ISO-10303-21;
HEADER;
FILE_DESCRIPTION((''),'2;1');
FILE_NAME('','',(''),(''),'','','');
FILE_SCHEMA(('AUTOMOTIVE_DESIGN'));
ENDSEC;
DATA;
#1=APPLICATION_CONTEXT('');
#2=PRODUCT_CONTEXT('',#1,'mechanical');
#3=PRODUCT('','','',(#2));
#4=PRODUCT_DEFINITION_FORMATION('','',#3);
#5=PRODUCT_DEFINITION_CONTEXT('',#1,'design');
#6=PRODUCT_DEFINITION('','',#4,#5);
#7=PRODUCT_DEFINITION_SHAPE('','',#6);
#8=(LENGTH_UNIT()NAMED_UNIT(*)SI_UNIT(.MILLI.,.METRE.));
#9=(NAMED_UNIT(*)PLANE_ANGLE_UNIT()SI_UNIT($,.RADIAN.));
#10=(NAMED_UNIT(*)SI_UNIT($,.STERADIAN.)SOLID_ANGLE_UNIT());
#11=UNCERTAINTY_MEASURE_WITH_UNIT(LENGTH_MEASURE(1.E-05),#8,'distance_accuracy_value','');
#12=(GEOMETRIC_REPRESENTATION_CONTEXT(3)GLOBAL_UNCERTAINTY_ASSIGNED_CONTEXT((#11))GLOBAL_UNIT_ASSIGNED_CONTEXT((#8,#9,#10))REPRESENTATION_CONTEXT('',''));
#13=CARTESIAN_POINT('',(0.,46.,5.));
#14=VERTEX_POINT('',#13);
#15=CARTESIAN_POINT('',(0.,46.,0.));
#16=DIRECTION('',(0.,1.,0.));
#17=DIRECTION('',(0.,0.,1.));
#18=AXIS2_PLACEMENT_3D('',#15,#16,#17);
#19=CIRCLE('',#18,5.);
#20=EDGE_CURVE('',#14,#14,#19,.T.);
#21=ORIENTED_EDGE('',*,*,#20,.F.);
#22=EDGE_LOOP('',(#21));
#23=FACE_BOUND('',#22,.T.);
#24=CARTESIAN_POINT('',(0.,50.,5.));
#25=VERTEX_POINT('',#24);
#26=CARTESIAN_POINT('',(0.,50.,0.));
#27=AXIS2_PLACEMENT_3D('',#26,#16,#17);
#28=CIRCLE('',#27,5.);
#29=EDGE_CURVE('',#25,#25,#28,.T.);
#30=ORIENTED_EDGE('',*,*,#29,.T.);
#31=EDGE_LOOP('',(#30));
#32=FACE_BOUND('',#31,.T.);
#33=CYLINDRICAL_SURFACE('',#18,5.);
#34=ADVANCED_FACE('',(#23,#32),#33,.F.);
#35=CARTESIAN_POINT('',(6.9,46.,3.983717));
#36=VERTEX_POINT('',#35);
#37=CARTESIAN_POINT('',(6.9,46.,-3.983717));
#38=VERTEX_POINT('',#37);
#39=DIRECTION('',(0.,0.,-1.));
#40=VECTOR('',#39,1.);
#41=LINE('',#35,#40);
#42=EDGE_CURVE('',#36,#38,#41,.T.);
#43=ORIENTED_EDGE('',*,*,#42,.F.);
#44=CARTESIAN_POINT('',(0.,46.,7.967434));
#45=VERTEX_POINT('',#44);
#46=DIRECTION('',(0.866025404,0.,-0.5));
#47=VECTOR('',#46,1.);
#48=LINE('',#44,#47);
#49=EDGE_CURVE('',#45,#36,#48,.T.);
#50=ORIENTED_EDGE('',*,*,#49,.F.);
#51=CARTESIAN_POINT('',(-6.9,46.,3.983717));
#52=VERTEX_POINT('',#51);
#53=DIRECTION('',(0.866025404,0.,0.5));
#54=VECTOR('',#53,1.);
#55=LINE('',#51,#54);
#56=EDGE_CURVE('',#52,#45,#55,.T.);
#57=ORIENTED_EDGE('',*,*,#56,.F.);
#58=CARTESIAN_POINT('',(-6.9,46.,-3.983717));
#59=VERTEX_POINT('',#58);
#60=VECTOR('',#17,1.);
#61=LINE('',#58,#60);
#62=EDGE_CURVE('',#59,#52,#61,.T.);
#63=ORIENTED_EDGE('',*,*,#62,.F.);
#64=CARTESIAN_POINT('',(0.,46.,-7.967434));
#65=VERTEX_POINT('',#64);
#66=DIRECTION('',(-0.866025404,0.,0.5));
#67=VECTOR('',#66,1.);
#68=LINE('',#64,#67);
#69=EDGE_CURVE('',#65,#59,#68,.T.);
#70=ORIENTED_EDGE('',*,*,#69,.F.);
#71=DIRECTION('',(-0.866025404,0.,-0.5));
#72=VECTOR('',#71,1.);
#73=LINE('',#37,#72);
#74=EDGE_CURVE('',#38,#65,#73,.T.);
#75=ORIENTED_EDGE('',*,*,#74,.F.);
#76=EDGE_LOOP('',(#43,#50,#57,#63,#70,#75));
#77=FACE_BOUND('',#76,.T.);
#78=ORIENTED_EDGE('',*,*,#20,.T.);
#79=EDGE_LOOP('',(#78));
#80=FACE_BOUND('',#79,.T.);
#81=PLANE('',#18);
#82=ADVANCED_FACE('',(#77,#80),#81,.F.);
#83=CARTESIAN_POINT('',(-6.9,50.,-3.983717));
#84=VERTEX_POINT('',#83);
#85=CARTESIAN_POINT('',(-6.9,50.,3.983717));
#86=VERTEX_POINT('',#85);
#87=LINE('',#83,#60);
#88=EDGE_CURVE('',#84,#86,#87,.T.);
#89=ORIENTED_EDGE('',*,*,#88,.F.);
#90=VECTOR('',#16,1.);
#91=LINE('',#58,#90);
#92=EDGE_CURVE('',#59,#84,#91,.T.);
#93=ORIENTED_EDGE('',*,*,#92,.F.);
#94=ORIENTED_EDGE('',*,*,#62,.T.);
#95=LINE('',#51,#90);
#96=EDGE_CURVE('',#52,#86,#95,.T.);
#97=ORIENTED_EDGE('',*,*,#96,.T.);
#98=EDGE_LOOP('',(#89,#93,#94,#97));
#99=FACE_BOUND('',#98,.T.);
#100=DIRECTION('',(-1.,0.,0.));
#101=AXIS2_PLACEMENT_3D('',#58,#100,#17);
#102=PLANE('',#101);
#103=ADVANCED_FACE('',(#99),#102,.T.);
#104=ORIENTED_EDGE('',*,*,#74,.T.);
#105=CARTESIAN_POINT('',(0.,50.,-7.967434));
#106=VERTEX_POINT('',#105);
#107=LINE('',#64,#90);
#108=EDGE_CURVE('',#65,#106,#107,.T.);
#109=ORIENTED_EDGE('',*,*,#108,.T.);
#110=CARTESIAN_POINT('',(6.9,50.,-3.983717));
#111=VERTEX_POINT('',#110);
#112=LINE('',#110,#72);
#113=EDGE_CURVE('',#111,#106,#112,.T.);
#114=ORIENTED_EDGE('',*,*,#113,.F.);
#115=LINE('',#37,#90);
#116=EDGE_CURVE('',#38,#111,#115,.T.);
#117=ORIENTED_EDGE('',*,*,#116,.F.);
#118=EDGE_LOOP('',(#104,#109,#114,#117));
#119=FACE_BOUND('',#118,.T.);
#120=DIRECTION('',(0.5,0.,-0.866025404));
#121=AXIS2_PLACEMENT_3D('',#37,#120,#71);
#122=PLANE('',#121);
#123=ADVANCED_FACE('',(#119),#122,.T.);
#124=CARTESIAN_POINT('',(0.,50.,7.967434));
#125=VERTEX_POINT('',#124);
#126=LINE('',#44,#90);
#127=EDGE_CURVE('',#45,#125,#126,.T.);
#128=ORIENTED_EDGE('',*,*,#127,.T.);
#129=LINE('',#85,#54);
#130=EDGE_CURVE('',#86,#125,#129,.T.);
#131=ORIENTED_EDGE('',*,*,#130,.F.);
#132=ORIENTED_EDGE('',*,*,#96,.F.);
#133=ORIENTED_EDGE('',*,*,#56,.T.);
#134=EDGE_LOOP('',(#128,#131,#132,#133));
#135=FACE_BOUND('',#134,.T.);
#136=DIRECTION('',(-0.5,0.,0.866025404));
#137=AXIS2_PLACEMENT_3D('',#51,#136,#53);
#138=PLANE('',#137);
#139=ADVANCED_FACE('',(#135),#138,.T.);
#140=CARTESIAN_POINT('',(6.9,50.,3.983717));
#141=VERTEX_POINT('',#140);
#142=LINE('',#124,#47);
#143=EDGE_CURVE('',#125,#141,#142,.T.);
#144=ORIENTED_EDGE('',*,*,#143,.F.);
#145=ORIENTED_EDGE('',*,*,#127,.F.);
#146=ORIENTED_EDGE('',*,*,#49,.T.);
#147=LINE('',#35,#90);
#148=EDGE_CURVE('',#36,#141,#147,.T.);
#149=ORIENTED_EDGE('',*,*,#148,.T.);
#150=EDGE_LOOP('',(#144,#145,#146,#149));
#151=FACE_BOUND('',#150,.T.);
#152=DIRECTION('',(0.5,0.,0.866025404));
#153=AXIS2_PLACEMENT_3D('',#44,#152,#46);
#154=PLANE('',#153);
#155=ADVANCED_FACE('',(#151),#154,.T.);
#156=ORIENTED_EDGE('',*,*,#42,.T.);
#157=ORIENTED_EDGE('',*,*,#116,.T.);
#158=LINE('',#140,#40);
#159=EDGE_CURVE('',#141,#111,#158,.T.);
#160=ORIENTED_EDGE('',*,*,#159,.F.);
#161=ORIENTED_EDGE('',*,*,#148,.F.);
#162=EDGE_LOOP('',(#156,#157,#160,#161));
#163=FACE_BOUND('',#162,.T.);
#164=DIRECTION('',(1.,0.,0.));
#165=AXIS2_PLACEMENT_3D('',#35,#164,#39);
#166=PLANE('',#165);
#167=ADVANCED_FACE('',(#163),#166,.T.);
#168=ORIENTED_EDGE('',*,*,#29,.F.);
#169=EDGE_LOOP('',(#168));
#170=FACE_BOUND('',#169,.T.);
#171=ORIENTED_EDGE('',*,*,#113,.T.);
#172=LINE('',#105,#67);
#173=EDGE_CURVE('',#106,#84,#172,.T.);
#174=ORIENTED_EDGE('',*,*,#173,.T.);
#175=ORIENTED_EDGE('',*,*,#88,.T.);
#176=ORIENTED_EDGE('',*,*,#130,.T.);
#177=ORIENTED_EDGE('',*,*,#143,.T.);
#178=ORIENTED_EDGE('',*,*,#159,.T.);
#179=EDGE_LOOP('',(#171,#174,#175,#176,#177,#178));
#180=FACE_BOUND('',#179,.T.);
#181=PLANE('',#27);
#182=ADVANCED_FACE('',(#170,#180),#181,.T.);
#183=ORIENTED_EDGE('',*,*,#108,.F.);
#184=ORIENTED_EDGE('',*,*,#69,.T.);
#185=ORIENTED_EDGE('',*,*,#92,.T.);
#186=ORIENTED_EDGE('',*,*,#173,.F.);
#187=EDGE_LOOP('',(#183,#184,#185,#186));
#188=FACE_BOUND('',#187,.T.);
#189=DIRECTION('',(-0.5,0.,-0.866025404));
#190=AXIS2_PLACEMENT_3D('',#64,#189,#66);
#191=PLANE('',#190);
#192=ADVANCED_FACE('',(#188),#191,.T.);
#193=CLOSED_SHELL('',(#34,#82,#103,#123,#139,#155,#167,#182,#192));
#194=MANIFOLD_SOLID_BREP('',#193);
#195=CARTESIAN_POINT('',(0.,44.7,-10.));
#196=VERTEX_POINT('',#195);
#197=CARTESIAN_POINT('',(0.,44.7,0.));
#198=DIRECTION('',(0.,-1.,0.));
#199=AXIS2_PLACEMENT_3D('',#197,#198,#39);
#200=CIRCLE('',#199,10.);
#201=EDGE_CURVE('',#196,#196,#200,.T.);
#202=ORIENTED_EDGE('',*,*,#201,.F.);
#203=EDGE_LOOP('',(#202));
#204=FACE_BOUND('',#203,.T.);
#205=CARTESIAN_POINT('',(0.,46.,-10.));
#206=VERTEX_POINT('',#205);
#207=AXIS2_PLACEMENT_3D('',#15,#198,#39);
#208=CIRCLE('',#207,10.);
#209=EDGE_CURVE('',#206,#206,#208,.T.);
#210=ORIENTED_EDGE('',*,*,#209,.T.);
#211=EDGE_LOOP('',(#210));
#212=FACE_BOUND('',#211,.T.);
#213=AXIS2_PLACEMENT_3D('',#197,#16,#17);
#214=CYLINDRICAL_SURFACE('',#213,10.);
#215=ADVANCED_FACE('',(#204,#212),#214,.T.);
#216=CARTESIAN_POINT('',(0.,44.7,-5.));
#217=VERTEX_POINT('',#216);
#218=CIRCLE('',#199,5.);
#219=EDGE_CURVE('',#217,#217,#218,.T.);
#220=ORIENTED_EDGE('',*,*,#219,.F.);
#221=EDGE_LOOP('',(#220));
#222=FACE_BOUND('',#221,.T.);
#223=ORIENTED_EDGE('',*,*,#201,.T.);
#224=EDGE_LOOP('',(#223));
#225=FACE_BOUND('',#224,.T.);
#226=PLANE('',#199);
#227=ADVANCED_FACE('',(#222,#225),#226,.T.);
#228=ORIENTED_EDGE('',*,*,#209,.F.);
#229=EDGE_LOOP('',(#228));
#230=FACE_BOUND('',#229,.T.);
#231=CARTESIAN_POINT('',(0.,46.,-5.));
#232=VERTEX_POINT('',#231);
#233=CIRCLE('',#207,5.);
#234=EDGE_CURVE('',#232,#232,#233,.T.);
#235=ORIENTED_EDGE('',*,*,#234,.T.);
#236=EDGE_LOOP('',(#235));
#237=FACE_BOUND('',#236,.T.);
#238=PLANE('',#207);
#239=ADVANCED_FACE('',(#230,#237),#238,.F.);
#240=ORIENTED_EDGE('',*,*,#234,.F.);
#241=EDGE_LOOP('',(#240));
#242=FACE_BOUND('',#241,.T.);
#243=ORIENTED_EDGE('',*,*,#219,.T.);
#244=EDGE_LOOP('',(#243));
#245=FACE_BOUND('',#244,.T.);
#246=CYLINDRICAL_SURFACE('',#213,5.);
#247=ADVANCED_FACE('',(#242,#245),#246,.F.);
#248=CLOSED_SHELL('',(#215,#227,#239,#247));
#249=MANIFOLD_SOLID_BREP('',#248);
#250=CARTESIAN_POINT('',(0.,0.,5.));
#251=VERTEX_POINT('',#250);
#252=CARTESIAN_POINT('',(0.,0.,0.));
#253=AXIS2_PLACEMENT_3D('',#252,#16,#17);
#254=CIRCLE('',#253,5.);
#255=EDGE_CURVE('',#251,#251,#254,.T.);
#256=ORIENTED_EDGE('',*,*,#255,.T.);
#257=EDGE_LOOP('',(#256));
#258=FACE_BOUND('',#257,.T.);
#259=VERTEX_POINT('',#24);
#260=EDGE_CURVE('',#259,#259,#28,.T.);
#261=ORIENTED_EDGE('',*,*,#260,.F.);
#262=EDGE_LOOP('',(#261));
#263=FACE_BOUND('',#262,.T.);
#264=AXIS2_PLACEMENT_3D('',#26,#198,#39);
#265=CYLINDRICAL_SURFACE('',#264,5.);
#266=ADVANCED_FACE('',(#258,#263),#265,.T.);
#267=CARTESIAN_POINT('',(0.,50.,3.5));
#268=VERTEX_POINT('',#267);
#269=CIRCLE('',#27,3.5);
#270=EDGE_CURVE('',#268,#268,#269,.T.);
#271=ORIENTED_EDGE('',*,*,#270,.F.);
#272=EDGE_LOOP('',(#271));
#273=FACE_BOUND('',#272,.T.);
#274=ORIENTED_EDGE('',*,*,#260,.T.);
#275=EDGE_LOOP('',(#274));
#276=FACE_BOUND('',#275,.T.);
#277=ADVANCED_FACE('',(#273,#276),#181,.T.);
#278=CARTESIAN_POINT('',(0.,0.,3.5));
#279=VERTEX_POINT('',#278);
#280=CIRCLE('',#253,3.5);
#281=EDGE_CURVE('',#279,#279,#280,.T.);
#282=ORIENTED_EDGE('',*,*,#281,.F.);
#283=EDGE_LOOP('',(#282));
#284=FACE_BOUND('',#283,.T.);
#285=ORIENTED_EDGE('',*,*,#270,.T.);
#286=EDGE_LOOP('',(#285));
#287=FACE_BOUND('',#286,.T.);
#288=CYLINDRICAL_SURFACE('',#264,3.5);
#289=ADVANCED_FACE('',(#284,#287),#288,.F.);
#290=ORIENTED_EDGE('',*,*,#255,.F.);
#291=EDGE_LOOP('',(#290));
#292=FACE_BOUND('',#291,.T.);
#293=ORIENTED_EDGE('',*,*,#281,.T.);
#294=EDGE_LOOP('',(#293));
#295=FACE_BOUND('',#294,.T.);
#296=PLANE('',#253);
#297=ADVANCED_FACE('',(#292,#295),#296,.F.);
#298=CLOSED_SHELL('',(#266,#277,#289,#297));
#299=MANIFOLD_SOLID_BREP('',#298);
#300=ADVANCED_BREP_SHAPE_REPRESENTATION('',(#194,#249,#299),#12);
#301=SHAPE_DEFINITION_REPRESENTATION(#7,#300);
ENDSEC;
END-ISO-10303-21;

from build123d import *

# Parameters (mm, degrees)
SKETCH1_R           = 5
SKETCH1_R_2         = 3.5
BOSS_EXTRUDE1_DEPTH = 50
SKETCH2_R           = 5
BOSS_EXTRUDE2_DEPTH = 4
SKETCH3_R           = 10
SKETCH3_R_2         = 5
BOSS_EXTRUDE3_DEPTH = 1.3


with BuildPart() as part:
    # Sketch1 → Boss-Extrude1 (new body)
    with BuildSketch(Plane(origin=(0, 0, 0), x_dir=(1, 0, 0), z_dir=(0, 1, 0))):
        Circle(SKETCH1_R)
        Circle(SKETCH1_R_2, mode=Mode.SUBTRACT)
    extrude(amount=BOSS_EXTRUDE1_DEPTH)


with BuildPart() as body_2:
    # Sketch2 → Boss-Extrude2 (new body)
    with BuildSketch(Plane(origin=(0, 50, 0), x_dir=(1, 0, 0), z_dir=(0, 1, 0))):
        Polygon((0, 7.967433715), (-6.9, 3.983716857), (-6.9, -3.983716857), (0, -7.967433715), (6.9, -3.983716857), (6.9, 3.983716857), align=None)
        Circle(SKETCH2_R, mode=Mode.SUBTRACT)
    extrude(amount=-BOSS_EXTRUDE2_DEPTH)


with BuildPart() as body_3:
    # Sketch3 → Boss-Extrude3 (new body)
    with BuildSketch(Plane.XZ.offset(-46)):
        Circle(SKETCH3_R)
        Circle(SKETCH3_R_2, mode=Mode.SUBTRACT)
    extrude(amount=BOSS_EXTRUDE3_DEPTH)


solid = Compound([part.part, body_2.part, body_3.part])
